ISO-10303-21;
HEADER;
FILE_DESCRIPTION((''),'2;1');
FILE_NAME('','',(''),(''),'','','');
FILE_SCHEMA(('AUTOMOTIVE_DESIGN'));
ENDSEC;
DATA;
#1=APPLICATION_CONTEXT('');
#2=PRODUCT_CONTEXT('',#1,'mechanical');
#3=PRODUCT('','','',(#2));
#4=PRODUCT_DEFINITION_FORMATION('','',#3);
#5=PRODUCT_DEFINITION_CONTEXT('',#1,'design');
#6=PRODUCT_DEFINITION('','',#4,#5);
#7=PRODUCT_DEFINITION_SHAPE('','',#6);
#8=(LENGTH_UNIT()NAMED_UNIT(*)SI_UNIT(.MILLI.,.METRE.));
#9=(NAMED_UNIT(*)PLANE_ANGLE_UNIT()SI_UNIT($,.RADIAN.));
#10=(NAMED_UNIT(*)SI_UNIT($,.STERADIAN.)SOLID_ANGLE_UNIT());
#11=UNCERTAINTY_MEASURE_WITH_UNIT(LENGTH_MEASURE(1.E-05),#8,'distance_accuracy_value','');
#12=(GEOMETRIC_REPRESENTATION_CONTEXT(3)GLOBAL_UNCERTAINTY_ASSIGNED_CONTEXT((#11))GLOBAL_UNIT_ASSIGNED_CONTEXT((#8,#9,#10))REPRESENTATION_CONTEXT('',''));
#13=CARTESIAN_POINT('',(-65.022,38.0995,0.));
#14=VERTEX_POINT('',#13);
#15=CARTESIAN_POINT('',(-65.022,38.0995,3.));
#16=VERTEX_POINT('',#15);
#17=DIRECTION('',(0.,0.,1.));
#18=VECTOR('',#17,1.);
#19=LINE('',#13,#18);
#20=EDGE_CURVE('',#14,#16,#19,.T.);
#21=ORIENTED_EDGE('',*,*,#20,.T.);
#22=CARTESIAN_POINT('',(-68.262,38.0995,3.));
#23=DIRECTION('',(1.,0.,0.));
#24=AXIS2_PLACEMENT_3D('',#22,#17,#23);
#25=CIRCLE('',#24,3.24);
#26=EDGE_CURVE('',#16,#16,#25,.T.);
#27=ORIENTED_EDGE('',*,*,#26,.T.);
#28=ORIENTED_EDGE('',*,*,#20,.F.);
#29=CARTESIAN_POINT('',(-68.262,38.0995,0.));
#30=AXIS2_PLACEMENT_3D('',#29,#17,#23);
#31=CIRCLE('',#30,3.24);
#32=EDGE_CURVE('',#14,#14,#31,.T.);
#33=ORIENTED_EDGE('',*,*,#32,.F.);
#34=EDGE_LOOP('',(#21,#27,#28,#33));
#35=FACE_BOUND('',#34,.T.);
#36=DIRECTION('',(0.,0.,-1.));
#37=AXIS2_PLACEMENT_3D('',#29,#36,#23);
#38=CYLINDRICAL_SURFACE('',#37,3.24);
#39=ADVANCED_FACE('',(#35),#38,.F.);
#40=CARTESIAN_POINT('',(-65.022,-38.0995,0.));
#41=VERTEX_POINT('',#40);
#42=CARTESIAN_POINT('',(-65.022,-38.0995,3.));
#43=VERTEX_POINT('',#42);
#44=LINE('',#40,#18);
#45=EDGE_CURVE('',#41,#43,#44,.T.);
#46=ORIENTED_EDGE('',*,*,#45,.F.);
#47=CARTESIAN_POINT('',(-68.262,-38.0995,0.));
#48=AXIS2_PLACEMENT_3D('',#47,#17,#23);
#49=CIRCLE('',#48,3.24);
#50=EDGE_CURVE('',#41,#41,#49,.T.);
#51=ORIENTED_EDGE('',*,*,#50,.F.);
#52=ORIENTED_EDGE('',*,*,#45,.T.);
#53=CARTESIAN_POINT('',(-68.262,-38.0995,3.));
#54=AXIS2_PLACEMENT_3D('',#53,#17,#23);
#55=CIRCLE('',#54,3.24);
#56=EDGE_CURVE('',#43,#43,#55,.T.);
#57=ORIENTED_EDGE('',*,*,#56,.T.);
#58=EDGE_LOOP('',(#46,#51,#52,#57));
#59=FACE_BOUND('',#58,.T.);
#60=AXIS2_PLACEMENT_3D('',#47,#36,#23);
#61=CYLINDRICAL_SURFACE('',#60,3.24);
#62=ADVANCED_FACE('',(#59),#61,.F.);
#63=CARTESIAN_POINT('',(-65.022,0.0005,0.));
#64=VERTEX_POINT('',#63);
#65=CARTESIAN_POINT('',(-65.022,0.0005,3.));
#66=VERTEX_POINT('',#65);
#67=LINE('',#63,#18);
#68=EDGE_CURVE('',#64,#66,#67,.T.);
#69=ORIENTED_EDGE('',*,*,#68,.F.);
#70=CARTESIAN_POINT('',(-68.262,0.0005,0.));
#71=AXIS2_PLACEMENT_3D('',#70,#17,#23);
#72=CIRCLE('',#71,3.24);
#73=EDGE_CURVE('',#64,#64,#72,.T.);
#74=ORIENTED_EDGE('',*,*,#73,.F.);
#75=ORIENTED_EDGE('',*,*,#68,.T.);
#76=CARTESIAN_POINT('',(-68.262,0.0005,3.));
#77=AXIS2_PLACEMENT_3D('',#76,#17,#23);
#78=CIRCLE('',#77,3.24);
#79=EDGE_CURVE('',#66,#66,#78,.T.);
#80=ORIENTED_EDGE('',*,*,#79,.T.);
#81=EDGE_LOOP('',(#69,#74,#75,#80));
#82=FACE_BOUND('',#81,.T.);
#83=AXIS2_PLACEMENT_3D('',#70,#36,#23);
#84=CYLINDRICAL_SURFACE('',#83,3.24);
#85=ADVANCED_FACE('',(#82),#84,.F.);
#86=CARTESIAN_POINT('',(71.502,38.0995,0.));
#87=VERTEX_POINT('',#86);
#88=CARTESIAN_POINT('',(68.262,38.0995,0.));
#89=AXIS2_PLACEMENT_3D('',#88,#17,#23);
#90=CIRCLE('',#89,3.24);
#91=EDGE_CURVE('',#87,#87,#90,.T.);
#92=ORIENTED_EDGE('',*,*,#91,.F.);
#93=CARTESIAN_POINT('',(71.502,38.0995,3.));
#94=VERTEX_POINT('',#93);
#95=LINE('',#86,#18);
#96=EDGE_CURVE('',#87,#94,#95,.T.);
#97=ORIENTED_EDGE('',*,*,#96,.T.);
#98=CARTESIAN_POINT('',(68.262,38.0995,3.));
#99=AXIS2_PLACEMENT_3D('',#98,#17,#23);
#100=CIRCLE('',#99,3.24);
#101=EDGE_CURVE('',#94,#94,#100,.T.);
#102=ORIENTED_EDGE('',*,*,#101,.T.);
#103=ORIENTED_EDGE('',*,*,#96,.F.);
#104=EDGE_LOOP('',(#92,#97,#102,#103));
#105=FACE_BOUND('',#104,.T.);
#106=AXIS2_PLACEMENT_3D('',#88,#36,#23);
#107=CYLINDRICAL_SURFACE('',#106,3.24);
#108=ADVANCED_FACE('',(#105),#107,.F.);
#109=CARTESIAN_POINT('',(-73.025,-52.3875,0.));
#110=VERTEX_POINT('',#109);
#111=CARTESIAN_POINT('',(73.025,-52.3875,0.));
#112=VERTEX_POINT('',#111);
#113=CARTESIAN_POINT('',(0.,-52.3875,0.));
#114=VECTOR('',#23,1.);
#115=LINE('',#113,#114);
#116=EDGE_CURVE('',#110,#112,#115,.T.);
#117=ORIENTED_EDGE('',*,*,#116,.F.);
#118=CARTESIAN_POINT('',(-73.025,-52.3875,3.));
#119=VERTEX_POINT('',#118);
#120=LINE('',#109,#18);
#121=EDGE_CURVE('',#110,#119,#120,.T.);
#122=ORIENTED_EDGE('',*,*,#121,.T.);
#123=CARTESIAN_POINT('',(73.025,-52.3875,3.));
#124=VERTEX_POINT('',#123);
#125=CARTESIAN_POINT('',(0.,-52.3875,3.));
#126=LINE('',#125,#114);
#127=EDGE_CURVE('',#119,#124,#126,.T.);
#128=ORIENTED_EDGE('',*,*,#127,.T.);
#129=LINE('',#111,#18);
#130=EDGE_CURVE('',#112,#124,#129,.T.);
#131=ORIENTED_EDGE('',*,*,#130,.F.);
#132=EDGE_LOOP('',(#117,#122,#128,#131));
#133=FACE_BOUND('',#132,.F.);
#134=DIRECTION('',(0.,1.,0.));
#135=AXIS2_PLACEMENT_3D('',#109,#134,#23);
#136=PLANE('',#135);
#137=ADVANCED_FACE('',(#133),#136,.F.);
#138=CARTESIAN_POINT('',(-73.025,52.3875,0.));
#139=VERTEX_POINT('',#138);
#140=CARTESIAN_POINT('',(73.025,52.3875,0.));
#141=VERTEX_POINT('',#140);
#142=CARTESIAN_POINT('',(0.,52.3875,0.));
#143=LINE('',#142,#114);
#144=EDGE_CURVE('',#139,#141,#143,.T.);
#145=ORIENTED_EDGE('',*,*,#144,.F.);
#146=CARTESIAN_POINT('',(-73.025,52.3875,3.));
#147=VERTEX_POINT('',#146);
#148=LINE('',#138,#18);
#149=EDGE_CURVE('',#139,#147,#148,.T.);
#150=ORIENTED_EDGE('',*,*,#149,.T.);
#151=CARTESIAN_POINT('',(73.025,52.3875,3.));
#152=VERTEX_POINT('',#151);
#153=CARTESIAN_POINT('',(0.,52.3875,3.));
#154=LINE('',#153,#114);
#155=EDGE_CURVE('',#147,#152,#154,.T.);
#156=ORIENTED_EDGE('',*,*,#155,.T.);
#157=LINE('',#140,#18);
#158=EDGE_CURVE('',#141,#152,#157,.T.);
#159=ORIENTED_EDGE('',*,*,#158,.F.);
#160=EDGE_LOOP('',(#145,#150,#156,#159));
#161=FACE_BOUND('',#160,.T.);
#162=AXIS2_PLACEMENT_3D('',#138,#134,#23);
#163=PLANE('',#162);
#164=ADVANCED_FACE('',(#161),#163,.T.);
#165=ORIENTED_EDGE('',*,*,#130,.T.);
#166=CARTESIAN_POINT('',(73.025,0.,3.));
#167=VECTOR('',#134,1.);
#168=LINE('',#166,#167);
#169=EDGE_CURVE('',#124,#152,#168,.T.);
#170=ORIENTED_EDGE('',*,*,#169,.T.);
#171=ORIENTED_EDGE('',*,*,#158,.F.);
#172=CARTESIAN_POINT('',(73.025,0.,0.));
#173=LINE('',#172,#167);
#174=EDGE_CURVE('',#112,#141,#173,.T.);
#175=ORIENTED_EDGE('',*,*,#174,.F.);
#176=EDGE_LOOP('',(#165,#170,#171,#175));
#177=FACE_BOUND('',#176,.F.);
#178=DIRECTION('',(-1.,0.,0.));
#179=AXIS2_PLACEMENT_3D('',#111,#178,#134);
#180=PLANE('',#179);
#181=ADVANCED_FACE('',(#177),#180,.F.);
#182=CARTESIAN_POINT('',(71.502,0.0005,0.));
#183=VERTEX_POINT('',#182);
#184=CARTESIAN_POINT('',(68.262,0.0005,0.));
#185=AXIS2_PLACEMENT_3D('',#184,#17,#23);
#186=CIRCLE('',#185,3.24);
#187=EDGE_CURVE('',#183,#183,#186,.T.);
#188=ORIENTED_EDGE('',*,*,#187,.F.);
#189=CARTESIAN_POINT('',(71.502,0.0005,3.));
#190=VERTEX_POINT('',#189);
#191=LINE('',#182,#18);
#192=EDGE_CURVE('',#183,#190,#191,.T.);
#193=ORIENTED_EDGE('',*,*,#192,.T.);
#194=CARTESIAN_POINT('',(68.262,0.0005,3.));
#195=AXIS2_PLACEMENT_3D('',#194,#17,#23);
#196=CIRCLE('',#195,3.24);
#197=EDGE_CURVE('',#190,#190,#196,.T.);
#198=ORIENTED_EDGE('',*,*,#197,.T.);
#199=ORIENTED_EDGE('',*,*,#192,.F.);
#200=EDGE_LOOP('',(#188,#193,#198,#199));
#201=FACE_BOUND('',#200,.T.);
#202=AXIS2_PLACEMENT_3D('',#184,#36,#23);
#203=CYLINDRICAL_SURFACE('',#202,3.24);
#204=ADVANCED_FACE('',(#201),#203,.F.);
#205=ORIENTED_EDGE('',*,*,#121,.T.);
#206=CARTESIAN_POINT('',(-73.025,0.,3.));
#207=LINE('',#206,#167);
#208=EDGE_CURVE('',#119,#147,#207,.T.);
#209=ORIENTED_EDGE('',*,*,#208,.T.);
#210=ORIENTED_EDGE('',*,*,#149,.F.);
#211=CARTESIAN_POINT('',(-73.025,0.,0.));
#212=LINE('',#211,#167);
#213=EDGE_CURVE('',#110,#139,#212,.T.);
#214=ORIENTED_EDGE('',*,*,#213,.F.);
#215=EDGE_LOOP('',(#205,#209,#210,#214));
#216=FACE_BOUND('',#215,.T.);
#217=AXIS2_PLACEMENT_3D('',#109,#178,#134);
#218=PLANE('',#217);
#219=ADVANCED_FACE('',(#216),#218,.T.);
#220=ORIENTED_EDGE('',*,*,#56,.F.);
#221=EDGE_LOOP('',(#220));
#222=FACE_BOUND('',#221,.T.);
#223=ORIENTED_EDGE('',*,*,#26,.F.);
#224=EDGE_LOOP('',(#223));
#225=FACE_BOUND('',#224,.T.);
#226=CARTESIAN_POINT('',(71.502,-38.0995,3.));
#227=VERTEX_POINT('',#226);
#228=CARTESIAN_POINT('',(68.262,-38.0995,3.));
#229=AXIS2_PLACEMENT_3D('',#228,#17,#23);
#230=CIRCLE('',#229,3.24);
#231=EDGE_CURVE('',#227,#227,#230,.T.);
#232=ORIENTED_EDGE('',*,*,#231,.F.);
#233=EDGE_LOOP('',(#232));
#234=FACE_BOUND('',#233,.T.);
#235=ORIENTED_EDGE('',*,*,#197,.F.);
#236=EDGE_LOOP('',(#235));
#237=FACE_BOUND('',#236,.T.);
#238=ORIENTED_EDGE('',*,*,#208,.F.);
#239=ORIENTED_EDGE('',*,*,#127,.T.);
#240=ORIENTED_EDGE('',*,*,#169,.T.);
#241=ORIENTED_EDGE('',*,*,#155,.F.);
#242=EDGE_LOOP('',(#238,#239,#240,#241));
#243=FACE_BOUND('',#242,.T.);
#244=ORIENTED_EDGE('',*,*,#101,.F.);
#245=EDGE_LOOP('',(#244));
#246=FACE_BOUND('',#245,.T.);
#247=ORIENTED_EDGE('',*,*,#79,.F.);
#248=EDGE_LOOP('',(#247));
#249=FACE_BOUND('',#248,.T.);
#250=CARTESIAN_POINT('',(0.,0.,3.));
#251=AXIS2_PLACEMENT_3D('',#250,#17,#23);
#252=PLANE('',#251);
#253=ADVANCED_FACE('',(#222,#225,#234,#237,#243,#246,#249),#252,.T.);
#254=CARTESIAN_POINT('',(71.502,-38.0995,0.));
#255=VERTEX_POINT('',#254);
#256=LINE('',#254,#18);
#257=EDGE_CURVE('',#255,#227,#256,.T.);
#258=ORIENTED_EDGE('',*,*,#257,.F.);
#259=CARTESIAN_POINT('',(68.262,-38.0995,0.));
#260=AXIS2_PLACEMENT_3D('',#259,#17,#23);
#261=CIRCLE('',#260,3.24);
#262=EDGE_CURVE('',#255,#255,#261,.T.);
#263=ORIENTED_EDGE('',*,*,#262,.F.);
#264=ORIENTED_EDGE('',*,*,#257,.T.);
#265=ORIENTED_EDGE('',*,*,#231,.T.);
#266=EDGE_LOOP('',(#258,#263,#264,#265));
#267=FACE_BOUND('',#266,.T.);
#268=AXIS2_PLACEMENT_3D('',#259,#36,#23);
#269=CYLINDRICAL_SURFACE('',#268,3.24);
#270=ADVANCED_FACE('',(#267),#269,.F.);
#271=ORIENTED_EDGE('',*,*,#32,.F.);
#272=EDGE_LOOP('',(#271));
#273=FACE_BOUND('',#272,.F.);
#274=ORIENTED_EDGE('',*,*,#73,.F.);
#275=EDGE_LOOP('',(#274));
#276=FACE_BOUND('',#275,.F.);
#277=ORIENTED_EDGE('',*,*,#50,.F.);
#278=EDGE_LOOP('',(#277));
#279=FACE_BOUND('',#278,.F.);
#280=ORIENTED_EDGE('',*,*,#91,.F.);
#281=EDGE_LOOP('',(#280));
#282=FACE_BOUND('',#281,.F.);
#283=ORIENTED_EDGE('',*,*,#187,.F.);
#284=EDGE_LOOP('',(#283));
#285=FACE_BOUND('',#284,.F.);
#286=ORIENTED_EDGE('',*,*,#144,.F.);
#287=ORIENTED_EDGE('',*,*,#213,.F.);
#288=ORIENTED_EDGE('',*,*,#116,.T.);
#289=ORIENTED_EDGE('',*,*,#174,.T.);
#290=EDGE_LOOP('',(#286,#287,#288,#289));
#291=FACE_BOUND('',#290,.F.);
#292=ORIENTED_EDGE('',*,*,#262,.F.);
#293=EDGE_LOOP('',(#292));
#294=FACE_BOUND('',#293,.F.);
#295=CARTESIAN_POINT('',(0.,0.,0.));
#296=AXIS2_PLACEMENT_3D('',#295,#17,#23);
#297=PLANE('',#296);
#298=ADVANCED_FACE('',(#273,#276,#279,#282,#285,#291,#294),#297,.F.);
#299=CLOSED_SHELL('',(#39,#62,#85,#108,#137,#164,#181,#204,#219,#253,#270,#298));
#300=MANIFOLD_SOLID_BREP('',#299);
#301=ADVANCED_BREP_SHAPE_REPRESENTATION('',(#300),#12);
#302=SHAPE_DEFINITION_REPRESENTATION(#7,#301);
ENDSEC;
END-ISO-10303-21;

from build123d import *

# Parameters (mm, degrees)
F0_W     = 146.05
F0_H     = 104.775
F0_R     = 3.24
F1_DEPTH = 3


with BuildPart() as f1:
    # F0 (on Top) → F1 (new body)
    with BuildSketch(Plane.XY):
        Rectangle(F0_W, F0_H)
        with Locations((-68.262, -38.0995)):
            Circle(F0_R, mode=Mode.SUBTRACT)
        with Locations((68.262, -38.0995)):
            Circle(F0_R, mode=Mode.SUBTRACT)
        with Locations((-68.262, 0.0005)):
            Circle(F0_R, mode=Mode.SUBTRACT)
        with Locations((-68.262, 38.0995)):
            Circle(F0_R, mode=Mode.SUBTRACT)
        with BuildLine():
            ThreePointArc((68.262, 44.4495), (61.912, 38.0995), (68.262, 31.7495))
            Line((68.262, 31.7495), (72.225, 31.7495))
            Line((72.225, 31.7495), (72.225, 6.3505))
            Line((72.225, 6.3505), (68.262, 6.3505))
            ThreePointArc((68.262, 6.3505), (61.912, 0.0005), (68.262, -6.3495))
            Line((68.262, -6.3495), (72.225, -6.3495))
            Line((72.225, -6.3495), (72.225, -31.7495))
            Line((72.225, -31.7495), (68.262, -31.7495))
            ThreePointArc((68.262, -31.7495), (61.912, -38.0995), (68.262, -44.4495))
            Line((68.262, -44.4495), (72.225, -44.4495))
            Line((72.225, -44.4495), (72.225, -51.5875))
            Line((72.225, -51.5875), (-72.225, -51.5875))
            Line((-72.225, -51.5875), (-72.225, -44.4495))
            Line((-72.225, -44.4495), (-68.262, -44.4495))
            ThreePointArc((-68.262, -44.4495), (-61.912, -38.0995), (-68.262, -31.7495))
            Line((-68.262, -31.7495), (-72.225, -31.7495))
            Line((-72.225, -31.7495), (-72.225, -6.3495))
            Line((-72.225, -6.3495), (-68.262, -6.3495))
            ThreePointArc((-68.262, -6.3495), (-61.912, 0.0005), (-68.262, 6.3505))
            Line((-68.262, 6.3505), (-72.225, 6.3505))
            Line((-72.225, 6.3505), (-72.225, 31.7495))
            Line((-72.225, 31.7495), (-68.262, 31.7495))
            ThreePointArc((-68.262, 31.7495), (-61.912, 38.0995), (-68.262, 44.4495))
            Line((-68.262, 44.4495), (-72.225, 44.4495))
            Line((-72.225, 44.4495), (-72.225, 51.5875))
            Line((-72.225, 51.5875), (72.225, 51.5875))
            Line((72.225, 51.5875), (72.225, 44.4495))
            Line((72.225, 44.4495), (68.262, 44.4495))
        make_face(mode=Mode.SUBTRACT)
        with Locations((68.262, 0.0005)):
            Circle(F0_R, mode=Mode.SUBTRACT)
        with Locations((68.262, 38.0995)):
            Circle(F0_R, mode=Mode.SUBTRACT)
        with BuildLine():
            Line((72.225, 31.7495), (68.262, 31.7495))
            ThreePointArc((68.262, 31.7495), (61.912, 38.0995), (68.262, 44.4495))
            Line((68.262, 44.4495), (72.225, 44.4495))
            Line((72.225, 44.4495), (72.225, 51.5875))
            Line((72.225, 51.5875), (-72.225, 51.5875))
            Line((-72.225, 51.5875), (-72.225, 44.4495))
            Line((-72.225, 44.4495), (-68.262, 44.4495))
            ThreePointArc((-68.262, 44.4495), (-61.912, 38.0995), (-68.262, 31.7495))
            Line((-68.262, 31.7495), (-72.225, 31.7495))
            Line((-72.225, 31.7495), (-72.225, 6.3505))
            Line((-72.225, 6.3505), (-68.262, 6.3505))
            ThreePointArc((-68.262, 6.3505), (-61.912, 0.0005), (-68.262, -6.3495))
            Line((-68.262, -6.3495), (-72.225, -6.3495))
            Line((-72.225, -6.3495), (-72.225, -31.7495))
            Line((-72.225, -31.7495), (-68.262, -31.7495))
            ThreePointArc((-68.262, -31.7495), (-61.912, -38.0995), (-68.262, -44.4495))
            Line((-68.262, -44.4495), (-72.225, -44.4495))
            Line((-72.225, -44.4495), (-72.225, -51.5875))
            Line((-72.225, -51.5875), (72.225, -51.5875))
            Line((72.225, -51.5875), (72.225, -44.4495))
            Line((72.225, -44.4495), (68.262, -44.4495))
            ThreePointArc((68.262, -44.4495), (61.912, -38.0995), (68.262, -31.7495))
            Line((68.262, -31.7495), (72.225, -31.7495))
            Line((72.225, -31.7495), (72.225, -6.3495))
            Line((72.225, -6.3495), (68.262, -6.3495))
            ThreePointArc((68.262, -6.3495), (61.912, 0.0005), (68.262, 6.3505))
            Line((68.262, 6.3505), (72.225, 6.3505))
            Line((72.225, 6.3505), (72.225, 31.7495))
        make_face()
    extrude(amount=F1_DEPTH)


solid = f1.part
